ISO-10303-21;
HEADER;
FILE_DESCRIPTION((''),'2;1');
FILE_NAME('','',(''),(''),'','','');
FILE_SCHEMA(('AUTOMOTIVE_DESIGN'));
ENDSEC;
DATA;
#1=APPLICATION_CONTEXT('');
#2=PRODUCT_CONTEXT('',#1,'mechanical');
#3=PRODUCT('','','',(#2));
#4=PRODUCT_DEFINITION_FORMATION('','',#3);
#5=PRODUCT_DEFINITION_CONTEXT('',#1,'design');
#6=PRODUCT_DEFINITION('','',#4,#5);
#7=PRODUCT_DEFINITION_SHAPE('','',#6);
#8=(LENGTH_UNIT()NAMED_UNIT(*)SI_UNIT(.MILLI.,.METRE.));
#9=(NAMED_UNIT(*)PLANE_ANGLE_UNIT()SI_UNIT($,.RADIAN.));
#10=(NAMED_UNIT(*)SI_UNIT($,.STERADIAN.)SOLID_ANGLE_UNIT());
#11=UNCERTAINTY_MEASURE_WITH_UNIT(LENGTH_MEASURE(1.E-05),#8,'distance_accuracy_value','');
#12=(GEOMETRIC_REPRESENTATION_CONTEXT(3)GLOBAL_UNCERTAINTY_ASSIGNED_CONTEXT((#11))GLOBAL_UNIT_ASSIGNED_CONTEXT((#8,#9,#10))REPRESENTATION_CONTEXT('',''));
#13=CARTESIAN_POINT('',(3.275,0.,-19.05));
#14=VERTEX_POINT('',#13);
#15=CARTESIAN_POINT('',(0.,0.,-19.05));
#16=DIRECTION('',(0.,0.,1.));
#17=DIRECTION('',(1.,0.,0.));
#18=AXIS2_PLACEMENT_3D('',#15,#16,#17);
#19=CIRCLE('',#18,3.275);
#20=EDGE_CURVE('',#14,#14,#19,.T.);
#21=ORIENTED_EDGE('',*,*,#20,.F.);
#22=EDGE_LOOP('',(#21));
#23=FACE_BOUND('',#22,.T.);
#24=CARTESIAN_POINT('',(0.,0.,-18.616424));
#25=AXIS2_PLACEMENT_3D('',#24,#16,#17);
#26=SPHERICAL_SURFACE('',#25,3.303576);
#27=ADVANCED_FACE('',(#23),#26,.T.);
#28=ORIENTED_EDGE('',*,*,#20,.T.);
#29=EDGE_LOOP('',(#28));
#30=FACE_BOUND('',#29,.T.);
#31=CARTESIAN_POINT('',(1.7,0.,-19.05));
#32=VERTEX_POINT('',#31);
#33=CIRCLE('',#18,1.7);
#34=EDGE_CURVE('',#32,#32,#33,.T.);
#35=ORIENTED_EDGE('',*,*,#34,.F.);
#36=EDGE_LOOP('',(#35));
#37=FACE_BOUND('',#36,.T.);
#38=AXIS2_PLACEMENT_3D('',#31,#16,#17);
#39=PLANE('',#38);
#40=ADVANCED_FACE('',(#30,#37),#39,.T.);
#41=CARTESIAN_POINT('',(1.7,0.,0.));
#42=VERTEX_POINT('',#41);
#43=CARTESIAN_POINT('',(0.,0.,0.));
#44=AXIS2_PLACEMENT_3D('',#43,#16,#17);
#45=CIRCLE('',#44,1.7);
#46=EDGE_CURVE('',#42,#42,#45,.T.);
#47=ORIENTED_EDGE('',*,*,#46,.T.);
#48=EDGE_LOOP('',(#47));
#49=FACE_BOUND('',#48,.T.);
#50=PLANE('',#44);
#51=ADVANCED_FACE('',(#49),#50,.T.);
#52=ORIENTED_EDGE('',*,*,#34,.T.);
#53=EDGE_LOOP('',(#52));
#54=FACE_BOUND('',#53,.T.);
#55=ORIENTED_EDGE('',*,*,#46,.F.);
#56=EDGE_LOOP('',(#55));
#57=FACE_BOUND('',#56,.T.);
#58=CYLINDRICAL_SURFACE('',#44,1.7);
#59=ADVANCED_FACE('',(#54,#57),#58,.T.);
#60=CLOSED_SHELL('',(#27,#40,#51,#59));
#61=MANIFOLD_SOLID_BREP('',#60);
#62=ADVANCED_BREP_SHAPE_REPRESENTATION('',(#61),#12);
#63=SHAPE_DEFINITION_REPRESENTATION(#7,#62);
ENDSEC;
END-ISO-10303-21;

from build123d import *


with BuildPart() as part:
    # Sketch1 → Revolve1 (revolve)
    with BuildSketch(Plane(origin=(0, 0, 0), x_dir=(1, 0, 0), z_dir=(0, 1, 0))):
        with BuildLine():
            Line((0, 0), (0, 21.92))
            ThreePointArc((0, 21.92), (2.177299072, 21.100972809), (3.275, 19.05))
            Line((3.275, 19.05), (1.7, 19.05))
            Line((1.7, 19.05), (1.7, 0))
            Line((1.7, 0), (0, 0))
        make_face()
    revolve(axis=Axis((0, 0, 0), (0, 0, -1)))


solid = part.part
